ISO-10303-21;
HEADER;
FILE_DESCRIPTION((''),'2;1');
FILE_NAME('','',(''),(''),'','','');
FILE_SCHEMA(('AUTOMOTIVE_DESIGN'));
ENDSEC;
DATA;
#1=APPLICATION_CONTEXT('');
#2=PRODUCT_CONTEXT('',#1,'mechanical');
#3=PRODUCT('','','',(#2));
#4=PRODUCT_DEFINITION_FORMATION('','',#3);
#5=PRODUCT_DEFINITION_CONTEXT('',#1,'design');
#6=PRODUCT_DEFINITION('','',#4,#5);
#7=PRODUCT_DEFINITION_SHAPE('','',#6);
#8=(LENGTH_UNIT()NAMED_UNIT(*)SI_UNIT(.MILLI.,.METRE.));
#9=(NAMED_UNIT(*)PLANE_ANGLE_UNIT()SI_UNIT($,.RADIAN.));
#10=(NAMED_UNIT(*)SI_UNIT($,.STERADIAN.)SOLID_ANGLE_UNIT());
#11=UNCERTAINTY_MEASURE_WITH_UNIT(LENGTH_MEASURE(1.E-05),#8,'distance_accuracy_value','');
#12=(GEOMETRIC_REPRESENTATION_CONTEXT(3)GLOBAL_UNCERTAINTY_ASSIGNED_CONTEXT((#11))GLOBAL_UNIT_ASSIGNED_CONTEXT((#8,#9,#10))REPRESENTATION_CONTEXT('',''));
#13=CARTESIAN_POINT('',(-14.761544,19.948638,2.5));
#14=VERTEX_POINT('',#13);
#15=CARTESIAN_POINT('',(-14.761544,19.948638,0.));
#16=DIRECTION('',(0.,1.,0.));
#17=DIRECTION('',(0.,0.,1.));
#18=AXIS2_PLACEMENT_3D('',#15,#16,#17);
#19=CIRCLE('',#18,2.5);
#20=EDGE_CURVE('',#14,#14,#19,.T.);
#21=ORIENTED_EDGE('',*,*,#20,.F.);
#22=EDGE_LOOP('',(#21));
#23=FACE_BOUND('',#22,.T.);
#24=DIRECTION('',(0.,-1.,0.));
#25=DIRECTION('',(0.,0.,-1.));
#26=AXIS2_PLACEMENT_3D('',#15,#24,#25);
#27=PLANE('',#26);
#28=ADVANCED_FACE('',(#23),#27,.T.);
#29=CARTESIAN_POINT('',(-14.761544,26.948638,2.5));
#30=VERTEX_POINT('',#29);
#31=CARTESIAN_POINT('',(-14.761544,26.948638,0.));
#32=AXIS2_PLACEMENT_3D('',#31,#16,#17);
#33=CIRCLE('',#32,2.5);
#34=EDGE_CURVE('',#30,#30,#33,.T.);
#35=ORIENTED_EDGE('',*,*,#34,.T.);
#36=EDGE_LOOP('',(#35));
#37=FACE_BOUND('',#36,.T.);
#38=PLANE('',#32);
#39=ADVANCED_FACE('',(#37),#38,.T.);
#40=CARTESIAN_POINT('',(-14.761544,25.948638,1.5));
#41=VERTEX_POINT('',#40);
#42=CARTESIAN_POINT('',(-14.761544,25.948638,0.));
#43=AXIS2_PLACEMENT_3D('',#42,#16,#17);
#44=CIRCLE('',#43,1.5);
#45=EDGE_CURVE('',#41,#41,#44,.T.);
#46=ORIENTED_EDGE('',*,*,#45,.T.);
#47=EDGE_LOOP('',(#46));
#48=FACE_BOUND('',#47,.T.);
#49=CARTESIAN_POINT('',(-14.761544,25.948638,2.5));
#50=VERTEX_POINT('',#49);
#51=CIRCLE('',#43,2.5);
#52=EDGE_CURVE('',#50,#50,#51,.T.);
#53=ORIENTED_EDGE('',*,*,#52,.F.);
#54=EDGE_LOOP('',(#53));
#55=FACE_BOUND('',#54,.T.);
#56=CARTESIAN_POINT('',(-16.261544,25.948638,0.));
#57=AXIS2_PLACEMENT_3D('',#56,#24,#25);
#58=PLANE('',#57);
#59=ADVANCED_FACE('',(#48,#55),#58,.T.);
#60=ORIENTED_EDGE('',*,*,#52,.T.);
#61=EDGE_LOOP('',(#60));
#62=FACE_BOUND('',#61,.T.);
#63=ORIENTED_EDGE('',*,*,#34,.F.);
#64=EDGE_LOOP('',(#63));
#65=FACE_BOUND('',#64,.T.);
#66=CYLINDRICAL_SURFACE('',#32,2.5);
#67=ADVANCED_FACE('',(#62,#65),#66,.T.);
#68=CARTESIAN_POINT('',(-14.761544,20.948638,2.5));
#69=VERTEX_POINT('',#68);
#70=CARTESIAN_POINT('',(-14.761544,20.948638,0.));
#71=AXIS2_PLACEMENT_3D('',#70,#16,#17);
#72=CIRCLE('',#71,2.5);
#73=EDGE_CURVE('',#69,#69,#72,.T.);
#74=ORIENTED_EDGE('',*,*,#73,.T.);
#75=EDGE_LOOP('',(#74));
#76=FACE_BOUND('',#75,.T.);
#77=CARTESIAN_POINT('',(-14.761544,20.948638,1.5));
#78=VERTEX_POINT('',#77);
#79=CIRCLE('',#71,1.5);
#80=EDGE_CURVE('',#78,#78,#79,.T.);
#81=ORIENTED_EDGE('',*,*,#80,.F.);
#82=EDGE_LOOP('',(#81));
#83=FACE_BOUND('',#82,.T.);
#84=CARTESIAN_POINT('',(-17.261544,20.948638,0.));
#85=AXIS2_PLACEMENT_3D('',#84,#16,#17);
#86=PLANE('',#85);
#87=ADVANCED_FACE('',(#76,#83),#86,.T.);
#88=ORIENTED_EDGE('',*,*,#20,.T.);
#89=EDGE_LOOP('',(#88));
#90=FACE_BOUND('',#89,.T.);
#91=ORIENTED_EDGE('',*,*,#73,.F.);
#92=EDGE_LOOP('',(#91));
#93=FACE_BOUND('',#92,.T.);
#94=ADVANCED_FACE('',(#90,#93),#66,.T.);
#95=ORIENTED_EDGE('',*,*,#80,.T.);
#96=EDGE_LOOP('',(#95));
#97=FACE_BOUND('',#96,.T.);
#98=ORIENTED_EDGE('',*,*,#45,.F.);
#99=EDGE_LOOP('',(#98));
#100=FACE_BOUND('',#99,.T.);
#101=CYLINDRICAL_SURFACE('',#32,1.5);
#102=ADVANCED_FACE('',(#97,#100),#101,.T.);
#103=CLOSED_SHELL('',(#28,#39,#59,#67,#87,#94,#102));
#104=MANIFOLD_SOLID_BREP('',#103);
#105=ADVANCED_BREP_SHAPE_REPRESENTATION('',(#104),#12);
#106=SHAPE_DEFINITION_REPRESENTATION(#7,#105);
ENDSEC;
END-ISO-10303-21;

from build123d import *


with BuildPart() as part:
    # Sketch1 → Revolve1 (revolve)
    with BuildSketch(Plane.XY, mode=Mode.PRIVATE) as revolve1_sk:
        Polygon((-14.761543591, 26.948638362), (-17.261543591, 26.948638362), (-17.261543591, 25.948638362), (-16.261543591, 25.948638362), (-16.261543591, 20.948638362), (-17.261543591, 20.948638362), (-17.261543591, 19.948638362), (-14.761543591, 19.948638362), align=None)
    revolve(revolve1_sk.sketch.rotate(Axis((-14.761543591, 26.948638362, 0), (0, -1, 0)), 270), axis=Axis((-14.761543591, 26.948638362, 0), (0, -1, 0)))


solid = part.part
